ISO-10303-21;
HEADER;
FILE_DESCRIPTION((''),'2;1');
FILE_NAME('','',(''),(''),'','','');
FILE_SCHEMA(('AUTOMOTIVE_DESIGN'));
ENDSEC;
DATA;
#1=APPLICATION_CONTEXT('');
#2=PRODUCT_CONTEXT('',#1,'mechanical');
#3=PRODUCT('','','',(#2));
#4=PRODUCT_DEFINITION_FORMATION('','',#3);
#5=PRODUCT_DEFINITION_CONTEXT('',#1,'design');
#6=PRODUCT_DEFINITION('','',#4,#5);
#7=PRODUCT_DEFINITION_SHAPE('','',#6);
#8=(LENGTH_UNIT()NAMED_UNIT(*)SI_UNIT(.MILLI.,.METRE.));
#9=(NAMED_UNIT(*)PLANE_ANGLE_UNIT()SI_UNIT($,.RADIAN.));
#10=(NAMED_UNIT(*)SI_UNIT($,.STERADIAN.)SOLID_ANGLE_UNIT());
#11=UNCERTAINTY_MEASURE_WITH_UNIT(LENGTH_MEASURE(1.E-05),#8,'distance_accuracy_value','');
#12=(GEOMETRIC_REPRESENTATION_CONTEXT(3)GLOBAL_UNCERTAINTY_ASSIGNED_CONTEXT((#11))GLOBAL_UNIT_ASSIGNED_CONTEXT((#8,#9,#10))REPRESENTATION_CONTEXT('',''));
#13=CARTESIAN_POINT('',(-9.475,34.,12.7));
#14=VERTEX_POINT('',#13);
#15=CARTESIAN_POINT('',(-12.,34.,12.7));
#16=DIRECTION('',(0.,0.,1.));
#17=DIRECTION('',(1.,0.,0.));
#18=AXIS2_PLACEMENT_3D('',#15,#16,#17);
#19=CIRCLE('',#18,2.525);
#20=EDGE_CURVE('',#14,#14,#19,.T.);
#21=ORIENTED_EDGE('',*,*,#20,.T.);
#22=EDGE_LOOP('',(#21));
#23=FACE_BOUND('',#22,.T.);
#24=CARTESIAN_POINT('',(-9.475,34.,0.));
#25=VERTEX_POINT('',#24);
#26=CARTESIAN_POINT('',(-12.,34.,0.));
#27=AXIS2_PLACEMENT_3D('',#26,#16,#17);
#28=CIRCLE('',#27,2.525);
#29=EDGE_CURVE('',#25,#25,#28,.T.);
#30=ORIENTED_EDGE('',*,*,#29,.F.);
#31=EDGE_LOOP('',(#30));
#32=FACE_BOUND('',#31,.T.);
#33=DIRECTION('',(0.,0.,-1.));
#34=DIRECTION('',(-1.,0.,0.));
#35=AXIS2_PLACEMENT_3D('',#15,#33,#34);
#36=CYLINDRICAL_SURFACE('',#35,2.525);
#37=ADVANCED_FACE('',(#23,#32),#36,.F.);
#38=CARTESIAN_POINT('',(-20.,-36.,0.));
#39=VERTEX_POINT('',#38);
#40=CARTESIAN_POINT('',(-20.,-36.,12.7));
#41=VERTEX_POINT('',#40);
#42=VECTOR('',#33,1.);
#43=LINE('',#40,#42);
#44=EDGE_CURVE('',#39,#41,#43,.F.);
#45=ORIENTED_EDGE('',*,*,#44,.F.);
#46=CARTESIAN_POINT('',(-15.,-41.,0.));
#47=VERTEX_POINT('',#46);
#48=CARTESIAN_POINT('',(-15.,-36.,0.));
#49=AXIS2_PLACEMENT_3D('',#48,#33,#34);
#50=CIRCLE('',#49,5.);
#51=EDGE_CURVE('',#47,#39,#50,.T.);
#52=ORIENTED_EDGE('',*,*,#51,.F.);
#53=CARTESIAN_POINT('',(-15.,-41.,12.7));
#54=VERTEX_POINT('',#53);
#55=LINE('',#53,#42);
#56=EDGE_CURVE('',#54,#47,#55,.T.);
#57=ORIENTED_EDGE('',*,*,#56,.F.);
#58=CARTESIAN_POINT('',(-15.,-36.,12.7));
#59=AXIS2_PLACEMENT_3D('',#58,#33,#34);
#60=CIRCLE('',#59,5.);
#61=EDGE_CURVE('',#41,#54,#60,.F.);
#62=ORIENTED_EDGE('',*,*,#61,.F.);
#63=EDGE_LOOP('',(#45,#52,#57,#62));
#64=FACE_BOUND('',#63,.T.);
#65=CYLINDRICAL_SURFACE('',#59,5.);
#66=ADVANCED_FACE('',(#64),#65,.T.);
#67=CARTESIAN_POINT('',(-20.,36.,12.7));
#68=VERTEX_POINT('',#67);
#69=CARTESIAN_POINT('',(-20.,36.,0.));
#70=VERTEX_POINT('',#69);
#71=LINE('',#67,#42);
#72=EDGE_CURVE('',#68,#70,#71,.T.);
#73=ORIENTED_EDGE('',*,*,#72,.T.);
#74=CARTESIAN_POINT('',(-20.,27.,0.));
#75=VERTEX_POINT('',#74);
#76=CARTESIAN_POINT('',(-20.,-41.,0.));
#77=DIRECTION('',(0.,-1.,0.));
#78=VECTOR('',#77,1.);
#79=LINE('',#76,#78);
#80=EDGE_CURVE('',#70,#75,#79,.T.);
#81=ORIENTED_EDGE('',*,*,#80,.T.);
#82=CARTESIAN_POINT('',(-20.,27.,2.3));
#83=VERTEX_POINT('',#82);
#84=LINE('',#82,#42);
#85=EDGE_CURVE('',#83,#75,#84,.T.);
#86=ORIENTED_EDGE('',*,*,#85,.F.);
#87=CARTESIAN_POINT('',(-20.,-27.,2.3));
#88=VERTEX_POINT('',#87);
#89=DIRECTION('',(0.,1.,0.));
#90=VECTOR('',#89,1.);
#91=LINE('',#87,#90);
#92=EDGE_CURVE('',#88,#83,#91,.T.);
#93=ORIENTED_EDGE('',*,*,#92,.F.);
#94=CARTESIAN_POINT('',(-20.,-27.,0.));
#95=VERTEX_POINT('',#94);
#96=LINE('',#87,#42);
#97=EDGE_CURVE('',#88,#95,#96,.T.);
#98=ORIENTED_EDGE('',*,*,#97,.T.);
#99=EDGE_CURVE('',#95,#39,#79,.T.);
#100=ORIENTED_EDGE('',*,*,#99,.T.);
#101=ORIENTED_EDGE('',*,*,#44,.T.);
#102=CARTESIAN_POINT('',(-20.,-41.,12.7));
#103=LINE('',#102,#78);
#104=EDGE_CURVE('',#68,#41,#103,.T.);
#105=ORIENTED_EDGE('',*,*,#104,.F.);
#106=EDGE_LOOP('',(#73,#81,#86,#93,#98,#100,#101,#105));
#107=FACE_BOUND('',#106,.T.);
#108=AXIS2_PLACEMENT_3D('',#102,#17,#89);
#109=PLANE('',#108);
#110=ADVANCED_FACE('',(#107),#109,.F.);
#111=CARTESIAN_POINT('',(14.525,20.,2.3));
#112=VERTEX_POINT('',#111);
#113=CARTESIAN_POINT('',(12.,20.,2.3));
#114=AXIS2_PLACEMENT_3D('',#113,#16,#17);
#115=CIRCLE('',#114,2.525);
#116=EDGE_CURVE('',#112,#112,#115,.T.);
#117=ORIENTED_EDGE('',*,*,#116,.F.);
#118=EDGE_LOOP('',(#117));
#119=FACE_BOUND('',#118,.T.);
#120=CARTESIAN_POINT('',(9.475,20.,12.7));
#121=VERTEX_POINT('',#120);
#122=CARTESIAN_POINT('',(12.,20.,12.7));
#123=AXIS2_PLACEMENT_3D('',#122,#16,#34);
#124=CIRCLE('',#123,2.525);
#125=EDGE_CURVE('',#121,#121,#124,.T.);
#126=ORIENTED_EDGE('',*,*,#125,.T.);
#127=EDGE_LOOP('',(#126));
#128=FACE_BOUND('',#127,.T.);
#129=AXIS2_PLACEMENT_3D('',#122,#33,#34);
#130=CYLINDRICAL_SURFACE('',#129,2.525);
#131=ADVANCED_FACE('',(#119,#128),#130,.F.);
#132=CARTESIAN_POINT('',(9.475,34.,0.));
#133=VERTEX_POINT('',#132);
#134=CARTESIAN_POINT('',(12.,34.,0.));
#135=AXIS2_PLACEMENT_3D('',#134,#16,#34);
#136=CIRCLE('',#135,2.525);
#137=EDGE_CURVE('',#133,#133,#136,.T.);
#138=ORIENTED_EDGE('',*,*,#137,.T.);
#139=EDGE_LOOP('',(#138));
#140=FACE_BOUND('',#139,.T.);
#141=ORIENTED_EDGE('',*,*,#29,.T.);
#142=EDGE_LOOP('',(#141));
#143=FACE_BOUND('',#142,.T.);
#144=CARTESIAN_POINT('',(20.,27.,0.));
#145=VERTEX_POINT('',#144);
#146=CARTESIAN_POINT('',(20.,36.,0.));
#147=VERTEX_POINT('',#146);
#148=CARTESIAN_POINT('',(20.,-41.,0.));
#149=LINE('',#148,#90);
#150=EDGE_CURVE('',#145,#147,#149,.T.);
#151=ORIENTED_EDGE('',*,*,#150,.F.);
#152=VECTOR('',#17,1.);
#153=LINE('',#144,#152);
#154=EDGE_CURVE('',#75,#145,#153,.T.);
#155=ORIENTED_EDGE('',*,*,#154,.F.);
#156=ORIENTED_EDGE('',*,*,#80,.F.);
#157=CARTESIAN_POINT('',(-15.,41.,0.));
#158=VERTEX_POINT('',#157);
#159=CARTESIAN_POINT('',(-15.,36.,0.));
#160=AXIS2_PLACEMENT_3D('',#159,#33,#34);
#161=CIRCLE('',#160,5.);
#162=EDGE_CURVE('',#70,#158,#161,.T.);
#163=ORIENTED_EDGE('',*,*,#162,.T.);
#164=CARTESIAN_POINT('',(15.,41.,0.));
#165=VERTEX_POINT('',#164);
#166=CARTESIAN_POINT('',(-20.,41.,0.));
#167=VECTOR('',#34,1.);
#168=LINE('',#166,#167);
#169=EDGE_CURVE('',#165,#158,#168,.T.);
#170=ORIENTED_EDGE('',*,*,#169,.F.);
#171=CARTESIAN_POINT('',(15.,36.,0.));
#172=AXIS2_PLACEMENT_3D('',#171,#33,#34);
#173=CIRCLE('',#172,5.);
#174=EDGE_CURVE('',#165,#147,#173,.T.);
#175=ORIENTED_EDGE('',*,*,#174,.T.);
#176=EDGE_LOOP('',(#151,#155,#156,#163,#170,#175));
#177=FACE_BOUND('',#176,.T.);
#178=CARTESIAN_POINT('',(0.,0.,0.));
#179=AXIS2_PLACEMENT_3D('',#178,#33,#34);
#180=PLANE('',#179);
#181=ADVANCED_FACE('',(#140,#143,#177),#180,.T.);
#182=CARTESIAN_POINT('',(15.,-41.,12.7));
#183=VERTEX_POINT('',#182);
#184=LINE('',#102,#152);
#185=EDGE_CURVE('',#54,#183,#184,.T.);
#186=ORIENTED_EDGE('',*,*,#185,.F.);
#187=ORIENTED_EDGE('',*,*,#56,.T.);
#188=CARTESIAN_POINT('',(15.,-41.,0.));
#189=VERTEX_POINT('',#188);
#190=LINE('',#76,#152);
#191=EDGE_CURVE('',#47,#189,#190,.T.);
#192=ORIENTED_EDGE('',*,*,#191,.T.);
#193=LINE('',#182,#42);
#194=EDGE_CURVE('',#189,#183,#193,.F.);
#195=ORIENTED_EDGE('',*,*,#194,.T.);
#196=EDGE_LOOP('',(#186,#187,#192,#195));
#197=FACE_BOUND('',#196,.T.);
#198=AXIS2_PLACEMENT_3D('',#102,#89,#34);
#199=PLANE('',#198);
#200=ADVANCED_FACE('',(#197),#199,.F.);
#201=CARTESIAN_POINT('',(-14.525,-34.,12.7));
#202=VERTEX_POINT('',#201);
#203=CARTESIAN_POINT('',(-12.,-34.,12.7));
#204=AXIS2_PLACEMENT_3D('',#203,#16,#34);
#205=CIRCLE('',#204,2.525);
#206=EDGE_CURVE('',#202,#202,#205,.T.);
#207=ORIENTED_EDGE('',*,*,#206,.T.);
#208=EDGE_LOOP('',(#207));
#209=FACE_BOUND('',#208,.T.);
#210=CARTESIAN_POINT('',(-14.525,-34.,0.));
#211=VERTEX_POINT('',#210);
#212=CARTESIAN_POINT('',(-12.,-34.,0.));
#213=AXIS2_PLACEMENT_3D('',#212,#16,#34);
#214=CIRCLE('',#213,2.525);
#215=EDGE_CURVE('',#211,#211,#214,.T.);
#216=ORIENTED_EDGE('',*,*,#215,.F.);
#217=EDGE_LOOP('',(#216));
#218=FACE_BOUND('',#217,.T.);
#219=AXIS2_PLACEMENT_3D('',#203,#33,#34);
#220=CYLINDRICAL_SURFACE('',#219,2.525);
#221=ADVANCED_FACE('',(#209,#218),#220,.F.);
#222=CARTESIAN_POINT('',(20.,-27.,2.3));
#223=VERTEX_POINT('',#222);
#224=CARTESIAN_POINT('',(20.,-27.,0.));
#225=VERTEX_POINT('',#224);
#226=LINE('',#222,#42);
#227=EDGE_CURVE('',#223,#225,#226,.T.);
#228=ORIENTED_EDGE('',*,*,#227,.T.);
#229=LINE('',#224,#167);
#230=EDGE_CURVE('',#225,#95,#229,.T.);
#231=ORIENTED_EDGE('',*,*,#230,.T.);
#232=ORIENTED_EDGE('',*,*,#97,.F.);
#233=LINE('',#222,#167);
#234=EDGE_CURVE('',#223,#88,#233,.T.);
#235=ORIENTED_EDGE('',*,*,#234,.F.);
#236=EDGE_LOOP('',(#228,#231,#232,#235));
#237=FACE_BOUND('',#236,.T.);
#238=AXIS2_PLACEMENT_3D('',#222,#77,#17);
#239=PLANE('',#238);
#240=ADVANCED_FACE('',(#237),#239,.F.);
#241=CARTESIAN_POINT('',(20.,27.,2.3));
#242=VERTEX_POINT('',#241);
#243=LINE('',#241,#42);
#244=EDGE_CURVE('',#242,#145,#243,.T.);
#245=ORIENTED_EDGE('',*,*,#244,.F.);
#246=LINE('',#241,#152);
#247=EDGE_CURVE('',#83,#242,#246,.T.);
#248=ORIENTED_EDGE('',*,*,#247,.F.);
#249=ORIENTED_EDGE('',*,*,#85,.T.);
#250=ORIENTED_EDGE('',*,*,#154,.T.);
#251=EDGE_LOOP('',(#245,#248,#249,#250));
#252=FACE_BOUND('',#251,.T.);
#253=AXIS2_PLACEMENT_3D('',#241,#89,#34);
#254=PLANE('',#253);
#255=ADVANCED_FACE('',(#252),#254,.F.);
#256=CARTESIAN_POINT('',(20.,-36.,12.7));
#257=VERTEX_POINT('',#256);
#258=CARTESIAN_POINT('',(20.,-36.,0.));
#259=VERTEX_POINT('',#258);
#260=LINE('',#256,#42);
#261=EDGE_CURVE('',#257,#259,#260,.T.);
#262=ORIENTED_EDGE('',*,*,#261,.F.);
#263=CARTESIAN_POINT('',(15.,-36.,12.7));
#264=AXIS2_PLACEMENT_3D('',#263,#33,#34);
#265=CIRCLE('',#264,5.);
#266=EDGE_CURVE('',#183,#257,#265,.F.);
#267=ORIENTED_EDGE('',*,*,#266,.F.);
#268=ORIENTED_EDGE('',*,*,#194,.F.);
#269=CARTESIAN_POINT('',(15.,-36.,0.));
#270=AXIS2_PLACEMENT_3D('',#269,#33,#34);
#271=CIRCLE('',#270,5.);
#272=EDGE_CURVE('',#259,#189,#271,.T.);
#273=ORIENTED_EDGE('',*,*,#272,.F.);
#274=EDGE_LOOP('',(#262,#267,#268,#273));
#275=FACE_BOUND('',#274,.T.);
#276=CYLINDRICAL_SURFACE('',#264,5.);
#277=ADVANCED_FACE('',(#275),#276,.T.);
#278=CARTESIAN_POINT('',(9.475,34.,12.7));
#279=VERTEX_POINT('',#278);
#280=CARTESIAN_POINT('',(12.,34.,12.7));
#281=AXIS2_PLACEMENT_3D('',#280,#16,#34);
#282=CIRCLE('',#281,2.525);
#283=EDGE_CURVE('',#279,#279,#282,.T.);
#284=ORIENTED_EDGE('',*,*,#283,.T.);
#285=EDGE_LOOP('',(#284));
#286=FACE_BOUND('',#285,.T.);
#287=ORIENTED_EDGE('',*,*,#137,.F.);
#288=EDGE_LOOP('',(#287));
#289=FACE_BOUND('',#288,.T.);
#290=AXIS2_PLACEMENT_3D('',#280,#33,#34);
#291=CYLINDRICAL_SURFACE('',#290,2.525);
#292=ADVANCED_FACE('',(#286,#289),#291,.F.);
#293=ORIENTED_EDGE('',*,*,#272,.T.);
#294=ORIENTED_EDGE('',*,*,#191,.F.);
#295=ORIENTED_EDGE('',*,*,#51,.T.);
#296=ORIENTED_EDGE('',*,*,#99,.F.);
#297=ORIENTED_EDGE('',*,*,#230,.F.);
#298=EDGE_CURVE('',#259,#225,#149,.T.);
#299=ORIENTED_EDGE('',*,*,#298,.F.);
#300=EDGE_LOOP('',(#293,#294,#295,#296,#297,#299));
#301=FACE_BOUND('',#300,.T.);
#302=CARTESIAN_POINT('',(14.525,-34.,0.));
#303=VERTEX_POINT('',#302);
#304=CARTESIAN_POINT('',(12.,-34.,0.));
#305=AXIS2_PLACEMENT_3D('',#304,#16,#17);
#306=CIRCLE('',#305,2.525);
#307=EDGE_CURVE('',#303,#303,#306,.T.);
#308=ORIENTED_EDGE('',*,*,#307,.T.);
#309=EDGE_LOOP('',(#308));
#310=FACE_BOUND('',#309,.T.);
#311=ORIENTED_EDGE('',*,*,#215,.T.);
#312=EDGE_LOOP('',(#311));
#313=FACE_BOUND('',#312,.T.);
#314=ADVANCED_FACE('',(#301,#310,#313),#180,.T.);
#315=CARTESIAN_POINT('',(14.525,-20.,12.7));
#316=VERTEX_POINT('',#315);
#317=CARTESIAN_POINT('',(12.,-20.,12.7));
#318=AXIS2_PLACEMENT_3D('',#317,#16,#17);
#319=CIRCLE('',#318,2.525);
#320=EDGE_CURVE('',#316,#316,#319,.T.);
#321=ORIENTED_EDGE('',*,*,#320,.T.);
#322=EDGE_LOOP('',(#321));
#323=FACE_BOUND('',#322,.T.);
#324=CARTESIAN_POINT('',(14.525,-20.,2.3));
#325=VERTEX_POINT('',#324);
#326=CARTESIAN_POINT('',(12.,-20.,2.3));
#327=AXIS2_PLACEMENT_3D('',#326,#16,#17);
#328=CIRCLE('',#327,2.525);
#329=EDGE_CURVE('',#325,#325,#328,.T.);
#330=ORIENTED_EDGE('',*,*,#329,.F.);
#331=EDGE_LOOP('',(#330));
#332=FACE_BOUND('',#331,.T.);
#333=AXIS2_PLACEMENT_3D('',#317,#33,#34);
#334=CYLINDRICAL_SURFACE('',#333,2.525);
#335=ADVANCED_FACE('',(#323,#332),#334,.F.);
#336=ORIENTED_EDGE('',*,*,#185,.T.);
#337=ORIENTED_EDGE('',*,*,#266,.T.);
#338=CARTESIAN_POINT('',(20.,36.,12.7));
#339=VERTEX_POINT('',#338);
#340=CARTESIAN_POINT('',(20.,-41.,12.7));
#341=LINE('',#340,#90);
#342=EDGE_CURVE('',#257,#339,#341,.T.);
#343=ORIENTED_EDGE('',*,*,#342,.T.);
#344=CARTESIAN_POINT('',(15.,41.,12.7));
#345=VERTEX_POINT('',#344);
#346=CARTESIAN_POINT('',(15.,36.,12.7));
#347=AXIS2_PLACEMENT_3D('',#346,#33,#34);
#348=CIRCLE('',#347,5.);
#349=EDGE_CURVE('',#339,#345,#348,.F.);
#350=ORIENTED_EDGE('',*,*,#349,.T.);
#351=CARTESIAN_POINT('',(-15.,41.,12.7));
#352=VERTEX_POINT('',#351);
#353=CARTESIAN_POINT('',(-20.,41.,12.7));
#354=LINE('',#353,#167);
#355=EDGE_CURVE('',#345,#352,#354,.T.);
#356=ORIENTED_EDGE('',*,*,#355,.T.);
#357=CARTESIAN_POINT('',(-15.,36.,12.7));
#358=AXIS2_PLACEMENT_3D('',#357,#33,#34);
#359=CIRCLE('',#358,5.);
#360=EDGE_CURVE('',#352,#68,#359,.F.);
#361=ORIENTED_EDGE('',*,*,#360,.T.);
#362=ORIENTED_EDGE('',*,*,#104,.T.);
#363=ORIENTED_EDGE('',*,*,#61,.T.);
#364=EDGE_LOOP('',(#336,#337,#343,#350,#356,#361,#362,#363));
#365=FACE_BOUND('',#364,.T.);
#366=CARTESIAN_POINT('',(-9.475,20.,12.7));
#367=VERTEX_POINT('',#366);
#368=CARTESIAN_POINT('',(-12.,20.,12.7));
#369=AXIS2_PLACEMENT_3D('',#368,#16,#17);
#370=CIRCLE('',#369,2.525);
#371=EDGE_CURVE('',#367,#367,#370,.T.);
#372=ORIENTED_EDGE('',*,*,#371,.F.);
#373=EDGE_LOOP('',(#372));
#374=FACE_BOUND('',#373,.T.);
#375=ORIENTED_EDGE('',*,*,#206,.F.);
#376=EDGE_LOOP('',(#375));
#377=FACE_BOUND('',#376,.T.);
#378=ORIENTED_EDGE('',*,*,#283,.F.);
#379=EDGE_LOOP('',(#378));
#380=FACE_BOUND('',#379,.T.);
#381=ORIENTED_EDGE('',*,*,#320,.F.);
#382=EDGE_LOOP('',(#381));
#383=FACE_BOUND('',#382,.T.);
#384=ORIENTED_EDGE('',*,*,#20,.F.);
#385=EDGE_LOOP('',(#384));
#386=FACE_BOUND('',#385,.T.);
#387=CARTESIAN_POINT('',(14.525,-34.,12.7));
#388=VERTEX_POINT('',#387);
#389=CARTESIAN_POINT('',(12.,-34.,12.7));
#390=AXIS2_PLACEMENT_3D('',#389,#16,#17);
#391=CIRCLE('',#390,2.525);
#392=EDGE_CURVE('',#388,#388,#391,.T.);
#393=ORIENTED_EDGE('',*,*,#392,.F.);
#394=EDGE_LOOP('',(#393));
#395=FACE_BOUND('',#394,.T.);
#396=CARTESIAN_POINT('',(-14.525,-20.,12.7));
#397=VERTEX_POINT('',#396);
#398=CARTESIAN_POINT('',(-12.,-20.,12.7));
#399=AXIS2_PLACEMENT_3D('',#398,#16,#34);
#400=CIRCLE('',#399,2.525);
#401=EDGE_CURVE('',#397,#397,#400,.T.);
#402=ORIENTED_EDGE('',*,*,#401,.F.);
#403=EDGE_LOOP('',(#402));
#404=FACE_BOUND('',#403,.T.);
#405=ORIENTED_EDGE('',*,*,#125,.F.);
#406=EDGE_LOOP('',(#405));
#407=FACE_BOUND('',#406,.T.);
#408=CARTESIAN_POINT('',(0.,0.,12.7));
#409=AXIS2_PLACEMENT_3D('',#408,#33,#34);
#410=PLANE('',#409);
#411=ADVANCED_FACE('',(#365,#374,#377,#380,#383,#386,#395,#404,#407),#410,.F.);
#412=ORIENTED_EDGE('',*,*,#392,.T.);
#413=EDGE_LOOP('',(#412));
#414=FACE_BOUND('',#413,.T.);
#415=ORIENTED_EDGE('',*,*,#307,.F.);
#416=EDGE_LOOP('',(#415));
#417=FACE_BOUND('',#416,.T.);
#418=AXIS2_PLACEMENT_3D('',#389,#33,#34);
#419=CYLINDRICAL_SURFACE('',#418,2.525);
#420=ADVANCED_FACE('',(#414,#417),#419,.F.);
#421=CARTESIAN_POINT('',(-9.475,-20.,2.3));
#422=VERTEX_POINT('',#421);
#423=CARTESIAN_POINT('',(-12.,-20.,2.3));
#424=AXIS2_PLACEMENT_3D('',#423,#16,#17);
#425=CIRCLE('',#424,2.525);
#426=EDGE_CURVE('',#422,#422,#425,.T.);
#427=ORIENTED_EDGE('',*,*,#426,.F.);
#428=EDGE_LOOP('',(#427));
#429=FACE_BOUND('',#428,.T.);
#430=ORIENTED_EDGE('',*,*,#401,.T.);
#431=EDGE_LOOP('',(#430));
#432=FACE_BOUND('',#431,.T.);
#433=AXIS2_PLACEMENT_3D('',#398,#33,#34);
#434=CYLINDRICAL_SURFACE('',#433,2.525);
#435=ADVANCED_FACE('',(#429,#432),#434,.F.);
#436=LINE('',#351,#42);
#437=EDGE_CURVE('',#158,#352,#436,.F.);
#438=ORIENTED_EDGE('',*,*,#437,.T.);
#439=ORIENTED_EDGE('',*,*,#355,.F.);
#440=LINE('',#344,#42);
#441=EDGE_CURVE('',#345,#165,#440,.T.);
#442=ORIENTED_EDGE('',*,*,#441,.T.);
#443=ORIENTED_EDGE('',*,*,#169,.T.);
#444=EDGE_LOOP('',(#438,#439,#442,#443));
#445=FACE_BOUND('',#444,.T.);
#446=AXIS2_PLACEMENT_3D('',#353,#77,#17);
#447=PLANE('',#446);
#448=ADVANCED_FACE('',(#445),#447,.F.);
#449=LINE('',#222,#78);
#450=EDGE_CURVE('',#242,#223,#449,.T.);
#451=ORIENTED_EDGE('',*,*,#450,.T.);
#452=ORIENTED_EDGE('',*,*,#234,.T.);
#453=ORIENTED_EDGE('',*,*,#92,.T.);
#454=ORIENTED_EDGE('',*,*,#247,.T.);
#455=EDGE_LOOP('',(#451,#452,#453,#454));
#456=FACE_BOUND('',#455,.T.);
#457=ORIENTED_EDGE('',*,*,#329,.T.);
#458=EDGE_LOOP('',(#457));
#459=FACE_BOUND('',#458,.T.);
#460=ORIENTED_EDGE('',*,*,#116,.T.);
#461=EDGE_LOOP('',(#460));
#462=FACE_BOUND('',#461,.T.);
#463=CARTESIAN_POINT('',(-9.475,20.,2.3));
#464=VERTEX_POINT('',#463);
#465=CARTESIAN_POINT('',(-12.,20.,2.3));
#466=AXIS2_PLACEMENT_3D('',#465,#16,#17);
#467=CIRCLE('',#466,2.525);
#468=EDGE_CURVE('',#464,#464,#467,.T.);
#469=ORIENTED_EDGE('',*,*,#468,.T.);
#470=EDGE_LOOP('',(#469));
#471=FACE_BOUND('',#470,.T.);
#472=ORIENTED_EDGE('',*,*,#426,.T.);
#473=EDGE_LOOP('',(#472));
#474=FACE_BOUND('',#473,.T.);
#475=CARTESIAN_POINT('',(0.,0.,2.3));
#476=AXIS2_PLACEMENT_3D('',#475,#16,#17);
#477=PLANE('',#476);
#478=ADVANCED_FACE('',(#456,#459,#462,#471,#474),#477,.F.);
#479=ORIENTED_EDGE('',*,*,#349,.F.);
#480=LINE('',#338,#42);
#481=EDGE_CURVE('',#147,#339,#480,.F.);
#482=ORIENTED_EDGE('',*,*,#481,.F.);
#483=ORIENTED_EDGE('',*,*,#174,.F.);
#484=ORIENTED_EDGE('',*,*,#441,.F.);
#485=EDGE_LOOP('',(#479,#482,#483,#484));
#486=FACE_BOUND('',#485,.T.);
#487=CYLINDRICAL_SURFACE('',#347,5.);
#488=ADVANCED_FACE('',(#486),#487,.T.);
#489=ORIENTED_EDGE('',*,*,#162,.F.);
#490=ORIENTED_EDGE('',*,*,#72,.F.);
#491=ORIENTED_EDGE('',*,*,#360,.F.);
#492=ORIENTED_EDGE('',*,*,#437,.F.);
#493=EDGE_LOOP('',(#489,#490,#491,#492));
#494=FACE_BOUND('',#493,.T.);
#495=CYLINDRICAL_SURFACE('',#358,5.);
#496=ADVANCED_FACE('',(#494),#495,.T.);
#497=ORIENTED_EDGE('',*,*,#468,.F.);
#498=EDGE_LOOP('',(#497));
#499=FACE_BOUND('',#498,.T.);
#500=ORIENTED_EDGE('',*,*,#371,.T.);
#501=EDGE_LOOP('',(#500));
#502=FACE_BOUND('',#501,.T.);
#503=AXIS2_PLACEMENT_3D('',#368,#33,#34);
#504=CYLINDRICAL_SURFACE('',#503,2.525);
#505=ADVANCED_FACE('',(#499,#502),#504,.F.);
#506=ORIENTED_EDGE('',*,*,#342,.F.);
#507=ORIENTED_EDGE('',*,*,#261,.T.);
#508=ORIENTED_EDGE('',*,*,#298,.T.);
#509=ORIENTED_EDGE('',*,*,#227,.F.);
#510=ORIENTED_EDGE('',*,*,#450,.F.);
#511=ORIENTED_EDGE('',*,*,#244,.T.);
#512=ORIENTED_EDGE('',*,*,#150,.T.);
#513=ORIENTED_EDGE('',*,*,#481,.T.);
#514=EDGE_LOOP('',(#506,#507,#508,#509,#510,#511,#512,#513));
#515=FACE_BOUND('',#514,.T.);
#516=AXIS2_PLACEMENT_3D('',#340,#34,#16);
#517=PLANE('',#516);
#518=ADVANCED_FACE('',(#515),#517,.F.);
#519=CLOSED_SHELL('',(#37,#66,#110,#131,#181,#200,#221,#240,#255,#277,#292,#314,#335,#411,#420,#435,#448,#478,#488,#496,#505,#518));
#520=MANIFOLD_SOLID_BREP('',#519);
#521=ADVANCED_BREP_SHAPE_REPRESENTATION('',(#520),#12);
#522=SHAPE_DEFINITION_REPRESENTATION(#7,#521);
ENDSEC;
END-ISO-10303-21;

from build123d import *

# Parameters (mm, degrees)
SKETCH1_W           = 40
SKETCH1_H           = 82
SKETCH1_R           = 2.525
BOSS_EXTRUDE1_DEPTH = 12.7
SKETCH2_W           = 40
SKETCH2_H           = 54
CUT_EXTRUDE1_DEPTH  = 2.3
FILLET1_R           = 5


with BuildPart() as part:
    # Sketch1 → Boss-Extrude1 (new body)
    with BuildSketch(Plane.XY):
        Rectangle(SKETCH1_W, SKETCH1_H)
        with Locations((-12, 20)):
            Circle(SKETCH1_R, mode=Mode.SUBTRACT)
        with Locations((-12, 34)):
            Circle(SKETCH1_R, mode=Mode.SUBTRACT)
        with Locations(Location((12, 34, 0), (0, 0, 180))):
            Circle(SKETCH1_R, mode=Mode.SUBTRACT)
        with Locations(Location((12, 20, 0), (0, 0, 180))):
            Circle(SKETCH1_R, mode=Mode.SUBTRACT)
        with Locations((12, -20)):
            Circle(SKETCH1_R, mode=Mode.SUBTRACT)
        with Locations((12, -34)):
            Circle(SKETCH1_R, mode=Mode.SUBTRACT)
        with Locations(Location((-12, -20, 0), (0, 0, 180))):
            Circle(SKETCH1_R, mode=Mode.SUBTRACT)
        with Locations(Location((-12, -34, 0), (0, 0, 180))):
            Circle(SKETCH1_R, mode=Mode.SUBTRACT)
    extrude(amount=BOSS_EXTRUDE1_DEPTH)

    # Sketch2 → Cut-Extrude1 (cut)
    with BuildSketch(Plane(origin=(0, 0, 0), x_dir=(-1, 0, 0), z_dir=(0, 0, -1))):
        Rectangle(SKETCH2_W, SKETCH2_H)
    extrude(amount=-CUT_EXTRUDE1_DEPTH, mode=Mode.SUBTRACT)

    # Fillet1
    fillet1_edges = [part.edges().sort_by_distance(p)[0] for p in [
        (20, -41, 6.35),
        (-20, -41, 6.35),
        (-20, 41, 6.35),
        (20, 41, 6.35),
    ]]
    fillet(fillet1_edges, radius=FILLET1_R)


solid = part.part
